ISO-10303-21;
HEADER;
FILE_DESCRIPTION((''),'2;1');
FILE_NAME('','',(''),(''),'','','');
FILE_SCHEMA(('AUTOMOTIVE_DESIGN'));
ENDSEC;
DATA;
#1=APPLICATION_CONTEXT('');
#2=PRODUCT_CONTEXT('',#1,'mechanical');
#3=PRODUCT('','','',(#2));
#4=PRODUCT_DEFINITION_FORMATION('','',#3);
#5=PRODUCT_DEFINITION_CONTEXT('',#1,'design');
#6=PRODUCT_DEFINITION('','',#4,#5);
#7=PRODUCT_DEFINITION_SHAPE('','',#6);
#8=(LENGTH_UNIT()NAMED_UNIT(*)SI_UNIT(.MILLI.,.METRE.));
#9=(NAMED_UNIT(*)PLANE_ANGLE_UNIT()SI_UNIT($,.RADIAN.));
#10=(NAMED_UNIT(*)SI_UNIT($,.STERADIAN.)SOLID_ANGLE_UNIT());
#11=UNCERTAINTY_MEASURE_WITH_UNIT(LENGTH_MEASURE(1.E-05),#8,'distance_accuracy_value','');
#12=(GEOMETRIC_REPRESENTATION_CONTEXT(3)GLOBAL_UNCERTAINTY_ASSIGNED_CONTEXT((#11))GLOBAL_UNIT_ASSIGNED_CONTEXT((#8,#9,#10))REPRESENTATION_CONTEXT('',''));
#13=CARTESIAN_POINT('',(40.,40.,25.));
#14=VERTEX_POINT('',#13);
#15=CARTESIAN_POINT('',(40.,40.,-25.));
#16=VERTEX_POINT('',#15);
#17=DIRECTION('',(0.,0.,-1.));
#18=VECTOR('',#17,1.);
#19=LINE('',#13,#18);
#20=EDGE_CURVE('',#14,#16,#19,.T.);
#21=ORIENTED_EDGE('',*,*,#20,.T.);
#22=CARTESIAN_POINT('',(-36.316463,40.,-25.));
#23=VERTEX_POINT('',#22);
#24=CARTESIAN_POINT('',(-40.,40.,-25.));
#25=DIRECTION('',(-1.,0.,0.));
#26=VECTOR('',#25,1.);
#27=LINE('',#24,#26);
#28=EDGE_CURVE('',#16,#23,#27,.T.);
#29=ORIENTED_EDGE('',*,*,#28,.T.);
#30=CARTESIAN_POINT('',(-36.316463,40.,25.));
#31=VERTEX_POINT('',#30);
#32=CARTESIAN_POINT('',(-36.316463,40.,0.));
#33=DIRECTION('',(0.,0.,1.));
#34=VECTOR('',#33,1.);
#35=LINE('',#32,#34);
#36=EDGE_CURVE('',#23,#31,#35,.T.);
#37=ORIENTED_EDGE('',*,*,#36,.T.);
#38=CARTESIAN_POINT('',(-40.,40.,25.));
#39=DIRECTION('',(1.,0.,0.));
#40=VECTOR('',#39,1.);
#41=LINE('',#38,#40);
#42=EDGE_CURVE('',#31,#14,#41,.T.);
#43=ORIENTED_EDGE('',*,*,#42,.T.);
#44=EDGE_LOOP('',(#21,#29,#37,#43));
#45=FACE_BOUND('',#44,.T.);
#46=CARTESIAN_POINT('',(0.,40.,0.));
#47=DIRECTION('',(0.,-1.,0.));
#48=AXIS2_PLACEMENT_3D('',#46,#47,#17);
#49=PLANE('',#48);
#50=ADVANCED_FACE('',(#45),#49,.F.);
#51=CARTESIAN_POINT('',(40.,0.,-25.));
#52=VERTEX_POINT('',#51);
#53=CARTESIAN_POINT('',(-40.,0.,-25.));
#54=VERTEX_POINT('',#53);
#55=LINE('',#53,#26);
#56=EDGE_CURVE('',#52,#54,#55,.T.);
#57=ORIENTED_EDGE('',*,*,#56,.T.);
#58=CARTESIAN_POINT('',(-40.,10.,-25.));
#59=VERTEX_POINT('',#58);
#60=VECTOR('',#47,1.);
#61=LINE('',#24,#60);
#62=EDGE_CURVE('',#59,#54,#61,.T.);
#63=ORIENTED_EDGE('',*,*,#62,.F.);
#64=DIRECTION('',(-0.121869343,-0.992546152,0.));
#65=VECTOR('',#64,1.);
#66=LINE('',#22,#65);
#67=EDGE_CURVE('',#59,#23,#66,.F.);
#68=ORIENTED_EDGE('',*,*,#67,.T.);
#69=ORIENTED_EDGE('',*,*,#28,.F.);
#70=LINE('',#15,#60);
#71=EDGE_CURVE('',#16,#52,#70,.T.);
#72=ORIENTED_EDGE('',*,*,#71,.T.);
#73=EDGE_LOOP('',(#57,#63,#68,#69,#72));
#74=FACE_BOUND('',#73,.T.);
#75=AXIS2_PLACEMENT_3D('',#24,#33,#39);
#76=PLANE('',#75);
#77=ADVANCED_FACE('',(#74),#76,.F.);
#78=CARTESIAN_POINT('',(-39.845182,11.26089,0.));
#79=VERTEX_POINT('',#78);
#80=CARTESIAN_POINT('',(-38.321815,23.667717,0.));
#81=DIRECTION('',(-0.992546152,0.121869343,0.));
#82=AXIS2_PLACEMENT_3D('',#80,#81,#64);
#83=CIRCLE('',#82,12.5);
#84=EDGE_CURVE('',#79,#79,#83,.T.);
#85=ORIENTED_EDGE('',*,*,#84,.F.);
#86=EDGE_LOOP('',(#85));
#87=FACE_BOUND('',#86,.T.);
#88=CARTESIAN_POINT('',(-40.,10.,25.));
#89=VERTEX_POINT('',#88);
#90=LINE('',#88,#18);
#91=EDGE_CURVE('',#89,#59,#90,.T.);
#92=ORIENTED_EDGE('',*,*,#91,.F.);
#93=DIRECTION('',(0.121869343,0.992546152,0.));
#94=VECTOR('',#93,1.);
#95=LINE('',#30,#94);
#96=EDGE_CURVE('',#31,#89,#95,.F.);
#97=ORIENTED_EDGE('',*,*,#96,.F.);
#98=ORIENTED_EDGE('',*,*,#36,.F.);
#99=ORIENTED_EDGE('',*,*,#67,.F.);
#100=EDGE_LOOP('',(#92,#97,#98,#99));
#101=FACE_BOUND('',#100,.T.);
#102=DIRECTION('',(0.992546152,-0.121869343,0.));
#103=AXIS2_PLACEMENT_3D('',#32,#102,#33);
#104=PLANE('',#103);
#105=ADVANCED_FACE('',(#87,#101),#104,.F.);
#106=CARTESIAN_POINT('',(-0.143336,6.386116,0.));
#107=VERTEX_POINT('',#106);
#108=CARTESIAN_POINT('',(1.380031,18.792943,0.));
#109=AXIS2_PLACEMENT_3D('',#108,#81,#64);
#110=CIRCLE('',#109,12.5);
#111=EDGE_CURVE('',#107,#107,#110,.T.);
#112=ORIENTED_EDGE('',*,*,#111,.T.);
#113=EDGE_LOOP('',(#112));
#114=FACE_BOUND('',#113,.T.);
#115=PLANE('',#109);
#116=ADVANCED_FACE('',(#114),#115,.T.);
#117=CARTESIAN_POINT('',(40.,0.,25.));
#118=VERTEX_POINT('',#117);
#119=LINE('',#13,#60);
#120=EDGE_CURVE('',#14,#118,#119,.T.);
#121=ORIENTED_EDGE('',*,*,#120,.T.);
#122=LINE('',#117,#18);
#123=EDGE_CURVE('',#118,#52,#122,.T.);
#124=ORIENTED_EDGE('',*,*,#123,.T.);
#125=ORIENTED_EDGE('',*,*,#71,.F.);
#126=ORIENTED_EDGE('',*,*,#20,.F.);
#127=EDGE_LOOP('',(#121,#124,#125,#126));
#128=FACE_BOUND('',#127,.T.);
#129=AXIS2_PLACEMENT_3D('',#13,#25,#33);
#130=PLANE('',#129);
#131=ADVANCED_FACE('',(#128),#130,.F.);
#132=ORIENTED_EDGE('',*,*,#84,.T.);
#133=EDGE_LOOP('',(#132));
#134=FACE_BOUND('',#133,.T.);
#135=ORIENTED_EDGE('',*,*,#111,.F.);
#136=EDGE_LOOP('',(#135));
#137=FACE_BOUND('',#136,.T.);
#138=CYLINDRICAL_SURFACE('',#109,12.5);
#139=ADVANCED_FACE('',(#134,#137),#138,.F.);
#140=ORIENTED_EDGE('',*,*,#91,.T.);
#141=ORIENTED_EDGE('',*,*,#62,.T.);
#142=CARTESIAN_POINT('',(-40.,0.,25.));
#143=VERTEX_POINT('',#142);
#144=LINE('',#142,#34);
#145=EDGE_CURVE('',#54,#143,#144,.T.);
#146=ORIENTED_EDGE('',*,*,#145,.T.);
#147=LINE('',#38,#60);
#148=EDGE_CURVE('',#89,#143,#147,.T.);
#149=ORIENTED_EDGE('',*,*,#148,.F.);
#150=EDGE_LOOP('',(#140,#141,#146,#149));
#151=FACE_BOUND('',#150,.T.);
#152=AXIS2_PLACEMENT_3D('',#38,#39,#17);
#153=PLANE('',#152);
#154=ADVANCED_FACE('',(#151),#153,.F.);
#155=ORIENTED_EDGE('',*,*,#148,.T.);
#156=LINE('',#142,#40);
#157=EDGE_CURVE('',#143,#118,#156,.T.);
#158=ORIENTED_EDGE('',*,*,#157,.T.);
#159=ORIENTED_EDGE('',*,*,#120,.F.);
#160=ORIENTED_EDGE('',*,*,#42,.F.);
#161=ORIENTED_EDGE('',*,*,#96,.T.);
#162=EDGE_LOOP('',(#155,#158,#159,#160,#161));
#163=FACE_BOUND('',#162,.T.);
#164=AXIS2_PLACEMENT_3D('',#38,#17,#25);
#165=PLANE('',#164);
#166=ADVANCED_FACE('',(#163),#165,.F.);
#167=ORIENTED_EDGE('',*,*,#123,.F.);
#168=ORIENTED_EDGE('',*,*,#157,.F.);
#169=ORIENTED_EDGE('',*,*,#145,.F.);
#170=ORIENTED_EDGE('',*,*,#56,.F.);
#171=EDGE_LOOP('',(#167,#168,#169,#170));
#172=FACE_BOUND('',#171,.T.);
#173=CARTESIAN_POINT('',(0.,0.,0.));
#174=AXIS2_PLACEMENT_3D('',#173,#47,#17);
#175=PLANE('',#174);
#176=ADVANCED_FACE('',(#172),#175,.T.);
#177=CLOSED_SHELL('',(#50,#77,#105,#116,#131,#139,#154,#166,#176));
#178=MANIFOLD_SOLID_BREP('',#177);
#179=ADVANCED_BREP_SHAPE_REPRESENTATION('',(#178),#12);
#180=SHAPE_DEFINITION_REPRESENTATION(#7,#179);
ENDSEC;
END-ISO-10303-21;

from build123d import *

# Parameters (mm, degrees)
ESQUISSE1_W             = 80
ESQUISSE1_H             = 50
BOSS_EXTRU_1_DEPTH      = 40
CHANFREIN1_SIZE         = 30
CHANFREIN1_SIZE2        = 3.683536827
ESQUISSE2_R             = 12.5
ENL_V_MAT_EXTRU_1_DEPTH = 40


with BuildPart() as part:
    # Esquisse1 → Boss.-Extru.1 (new body)
    with BuildSketch(Plane(origin=(0, 0, 0), x_dir=(1, 0, 0), z_dir=(0, 1, 0))):
        Rectangle(ESQUISSE1_W, ESQUISSE1_H)
    extrude(amount=BOSS_EXTRU_1_DEPTH)

    # Chanfrein1
    chanfrein1_edges = [part.edges().sort_by_distance(p)[0] for p in [
        (-40, 40, 0),
    ]]
    chanfrein1_side = [part.faces().sort_by_distance(p)[0] for p in [
        (-40, 20, 0),
    ]]
    chamfer(chanfrein1_edges, length=CHANFREIN1_SIZE, length2=CHANFREIN1_SIZE2, reference=chanfrein1_side[0])

    # Esquisse2 → Enlèv. mat.-Extru.1 (cut)
    with BuildSketch(Plane(origin=(-40.615524004, 4.986959281, 0), x_dir=(0, 0, 1), z_dir=(-0.9925461516413225, 0.12186934340514435, 0))):
        with Locations(Location((0, 18.821046558, 0), (0, 0, 270))):
            Circle(ESQUISSE2_R)
    extrude(amount=-ENL_V_MAT_EXTRU_1_DEPTH, mode=Mode.SUBTRACT)


solid = part.part
